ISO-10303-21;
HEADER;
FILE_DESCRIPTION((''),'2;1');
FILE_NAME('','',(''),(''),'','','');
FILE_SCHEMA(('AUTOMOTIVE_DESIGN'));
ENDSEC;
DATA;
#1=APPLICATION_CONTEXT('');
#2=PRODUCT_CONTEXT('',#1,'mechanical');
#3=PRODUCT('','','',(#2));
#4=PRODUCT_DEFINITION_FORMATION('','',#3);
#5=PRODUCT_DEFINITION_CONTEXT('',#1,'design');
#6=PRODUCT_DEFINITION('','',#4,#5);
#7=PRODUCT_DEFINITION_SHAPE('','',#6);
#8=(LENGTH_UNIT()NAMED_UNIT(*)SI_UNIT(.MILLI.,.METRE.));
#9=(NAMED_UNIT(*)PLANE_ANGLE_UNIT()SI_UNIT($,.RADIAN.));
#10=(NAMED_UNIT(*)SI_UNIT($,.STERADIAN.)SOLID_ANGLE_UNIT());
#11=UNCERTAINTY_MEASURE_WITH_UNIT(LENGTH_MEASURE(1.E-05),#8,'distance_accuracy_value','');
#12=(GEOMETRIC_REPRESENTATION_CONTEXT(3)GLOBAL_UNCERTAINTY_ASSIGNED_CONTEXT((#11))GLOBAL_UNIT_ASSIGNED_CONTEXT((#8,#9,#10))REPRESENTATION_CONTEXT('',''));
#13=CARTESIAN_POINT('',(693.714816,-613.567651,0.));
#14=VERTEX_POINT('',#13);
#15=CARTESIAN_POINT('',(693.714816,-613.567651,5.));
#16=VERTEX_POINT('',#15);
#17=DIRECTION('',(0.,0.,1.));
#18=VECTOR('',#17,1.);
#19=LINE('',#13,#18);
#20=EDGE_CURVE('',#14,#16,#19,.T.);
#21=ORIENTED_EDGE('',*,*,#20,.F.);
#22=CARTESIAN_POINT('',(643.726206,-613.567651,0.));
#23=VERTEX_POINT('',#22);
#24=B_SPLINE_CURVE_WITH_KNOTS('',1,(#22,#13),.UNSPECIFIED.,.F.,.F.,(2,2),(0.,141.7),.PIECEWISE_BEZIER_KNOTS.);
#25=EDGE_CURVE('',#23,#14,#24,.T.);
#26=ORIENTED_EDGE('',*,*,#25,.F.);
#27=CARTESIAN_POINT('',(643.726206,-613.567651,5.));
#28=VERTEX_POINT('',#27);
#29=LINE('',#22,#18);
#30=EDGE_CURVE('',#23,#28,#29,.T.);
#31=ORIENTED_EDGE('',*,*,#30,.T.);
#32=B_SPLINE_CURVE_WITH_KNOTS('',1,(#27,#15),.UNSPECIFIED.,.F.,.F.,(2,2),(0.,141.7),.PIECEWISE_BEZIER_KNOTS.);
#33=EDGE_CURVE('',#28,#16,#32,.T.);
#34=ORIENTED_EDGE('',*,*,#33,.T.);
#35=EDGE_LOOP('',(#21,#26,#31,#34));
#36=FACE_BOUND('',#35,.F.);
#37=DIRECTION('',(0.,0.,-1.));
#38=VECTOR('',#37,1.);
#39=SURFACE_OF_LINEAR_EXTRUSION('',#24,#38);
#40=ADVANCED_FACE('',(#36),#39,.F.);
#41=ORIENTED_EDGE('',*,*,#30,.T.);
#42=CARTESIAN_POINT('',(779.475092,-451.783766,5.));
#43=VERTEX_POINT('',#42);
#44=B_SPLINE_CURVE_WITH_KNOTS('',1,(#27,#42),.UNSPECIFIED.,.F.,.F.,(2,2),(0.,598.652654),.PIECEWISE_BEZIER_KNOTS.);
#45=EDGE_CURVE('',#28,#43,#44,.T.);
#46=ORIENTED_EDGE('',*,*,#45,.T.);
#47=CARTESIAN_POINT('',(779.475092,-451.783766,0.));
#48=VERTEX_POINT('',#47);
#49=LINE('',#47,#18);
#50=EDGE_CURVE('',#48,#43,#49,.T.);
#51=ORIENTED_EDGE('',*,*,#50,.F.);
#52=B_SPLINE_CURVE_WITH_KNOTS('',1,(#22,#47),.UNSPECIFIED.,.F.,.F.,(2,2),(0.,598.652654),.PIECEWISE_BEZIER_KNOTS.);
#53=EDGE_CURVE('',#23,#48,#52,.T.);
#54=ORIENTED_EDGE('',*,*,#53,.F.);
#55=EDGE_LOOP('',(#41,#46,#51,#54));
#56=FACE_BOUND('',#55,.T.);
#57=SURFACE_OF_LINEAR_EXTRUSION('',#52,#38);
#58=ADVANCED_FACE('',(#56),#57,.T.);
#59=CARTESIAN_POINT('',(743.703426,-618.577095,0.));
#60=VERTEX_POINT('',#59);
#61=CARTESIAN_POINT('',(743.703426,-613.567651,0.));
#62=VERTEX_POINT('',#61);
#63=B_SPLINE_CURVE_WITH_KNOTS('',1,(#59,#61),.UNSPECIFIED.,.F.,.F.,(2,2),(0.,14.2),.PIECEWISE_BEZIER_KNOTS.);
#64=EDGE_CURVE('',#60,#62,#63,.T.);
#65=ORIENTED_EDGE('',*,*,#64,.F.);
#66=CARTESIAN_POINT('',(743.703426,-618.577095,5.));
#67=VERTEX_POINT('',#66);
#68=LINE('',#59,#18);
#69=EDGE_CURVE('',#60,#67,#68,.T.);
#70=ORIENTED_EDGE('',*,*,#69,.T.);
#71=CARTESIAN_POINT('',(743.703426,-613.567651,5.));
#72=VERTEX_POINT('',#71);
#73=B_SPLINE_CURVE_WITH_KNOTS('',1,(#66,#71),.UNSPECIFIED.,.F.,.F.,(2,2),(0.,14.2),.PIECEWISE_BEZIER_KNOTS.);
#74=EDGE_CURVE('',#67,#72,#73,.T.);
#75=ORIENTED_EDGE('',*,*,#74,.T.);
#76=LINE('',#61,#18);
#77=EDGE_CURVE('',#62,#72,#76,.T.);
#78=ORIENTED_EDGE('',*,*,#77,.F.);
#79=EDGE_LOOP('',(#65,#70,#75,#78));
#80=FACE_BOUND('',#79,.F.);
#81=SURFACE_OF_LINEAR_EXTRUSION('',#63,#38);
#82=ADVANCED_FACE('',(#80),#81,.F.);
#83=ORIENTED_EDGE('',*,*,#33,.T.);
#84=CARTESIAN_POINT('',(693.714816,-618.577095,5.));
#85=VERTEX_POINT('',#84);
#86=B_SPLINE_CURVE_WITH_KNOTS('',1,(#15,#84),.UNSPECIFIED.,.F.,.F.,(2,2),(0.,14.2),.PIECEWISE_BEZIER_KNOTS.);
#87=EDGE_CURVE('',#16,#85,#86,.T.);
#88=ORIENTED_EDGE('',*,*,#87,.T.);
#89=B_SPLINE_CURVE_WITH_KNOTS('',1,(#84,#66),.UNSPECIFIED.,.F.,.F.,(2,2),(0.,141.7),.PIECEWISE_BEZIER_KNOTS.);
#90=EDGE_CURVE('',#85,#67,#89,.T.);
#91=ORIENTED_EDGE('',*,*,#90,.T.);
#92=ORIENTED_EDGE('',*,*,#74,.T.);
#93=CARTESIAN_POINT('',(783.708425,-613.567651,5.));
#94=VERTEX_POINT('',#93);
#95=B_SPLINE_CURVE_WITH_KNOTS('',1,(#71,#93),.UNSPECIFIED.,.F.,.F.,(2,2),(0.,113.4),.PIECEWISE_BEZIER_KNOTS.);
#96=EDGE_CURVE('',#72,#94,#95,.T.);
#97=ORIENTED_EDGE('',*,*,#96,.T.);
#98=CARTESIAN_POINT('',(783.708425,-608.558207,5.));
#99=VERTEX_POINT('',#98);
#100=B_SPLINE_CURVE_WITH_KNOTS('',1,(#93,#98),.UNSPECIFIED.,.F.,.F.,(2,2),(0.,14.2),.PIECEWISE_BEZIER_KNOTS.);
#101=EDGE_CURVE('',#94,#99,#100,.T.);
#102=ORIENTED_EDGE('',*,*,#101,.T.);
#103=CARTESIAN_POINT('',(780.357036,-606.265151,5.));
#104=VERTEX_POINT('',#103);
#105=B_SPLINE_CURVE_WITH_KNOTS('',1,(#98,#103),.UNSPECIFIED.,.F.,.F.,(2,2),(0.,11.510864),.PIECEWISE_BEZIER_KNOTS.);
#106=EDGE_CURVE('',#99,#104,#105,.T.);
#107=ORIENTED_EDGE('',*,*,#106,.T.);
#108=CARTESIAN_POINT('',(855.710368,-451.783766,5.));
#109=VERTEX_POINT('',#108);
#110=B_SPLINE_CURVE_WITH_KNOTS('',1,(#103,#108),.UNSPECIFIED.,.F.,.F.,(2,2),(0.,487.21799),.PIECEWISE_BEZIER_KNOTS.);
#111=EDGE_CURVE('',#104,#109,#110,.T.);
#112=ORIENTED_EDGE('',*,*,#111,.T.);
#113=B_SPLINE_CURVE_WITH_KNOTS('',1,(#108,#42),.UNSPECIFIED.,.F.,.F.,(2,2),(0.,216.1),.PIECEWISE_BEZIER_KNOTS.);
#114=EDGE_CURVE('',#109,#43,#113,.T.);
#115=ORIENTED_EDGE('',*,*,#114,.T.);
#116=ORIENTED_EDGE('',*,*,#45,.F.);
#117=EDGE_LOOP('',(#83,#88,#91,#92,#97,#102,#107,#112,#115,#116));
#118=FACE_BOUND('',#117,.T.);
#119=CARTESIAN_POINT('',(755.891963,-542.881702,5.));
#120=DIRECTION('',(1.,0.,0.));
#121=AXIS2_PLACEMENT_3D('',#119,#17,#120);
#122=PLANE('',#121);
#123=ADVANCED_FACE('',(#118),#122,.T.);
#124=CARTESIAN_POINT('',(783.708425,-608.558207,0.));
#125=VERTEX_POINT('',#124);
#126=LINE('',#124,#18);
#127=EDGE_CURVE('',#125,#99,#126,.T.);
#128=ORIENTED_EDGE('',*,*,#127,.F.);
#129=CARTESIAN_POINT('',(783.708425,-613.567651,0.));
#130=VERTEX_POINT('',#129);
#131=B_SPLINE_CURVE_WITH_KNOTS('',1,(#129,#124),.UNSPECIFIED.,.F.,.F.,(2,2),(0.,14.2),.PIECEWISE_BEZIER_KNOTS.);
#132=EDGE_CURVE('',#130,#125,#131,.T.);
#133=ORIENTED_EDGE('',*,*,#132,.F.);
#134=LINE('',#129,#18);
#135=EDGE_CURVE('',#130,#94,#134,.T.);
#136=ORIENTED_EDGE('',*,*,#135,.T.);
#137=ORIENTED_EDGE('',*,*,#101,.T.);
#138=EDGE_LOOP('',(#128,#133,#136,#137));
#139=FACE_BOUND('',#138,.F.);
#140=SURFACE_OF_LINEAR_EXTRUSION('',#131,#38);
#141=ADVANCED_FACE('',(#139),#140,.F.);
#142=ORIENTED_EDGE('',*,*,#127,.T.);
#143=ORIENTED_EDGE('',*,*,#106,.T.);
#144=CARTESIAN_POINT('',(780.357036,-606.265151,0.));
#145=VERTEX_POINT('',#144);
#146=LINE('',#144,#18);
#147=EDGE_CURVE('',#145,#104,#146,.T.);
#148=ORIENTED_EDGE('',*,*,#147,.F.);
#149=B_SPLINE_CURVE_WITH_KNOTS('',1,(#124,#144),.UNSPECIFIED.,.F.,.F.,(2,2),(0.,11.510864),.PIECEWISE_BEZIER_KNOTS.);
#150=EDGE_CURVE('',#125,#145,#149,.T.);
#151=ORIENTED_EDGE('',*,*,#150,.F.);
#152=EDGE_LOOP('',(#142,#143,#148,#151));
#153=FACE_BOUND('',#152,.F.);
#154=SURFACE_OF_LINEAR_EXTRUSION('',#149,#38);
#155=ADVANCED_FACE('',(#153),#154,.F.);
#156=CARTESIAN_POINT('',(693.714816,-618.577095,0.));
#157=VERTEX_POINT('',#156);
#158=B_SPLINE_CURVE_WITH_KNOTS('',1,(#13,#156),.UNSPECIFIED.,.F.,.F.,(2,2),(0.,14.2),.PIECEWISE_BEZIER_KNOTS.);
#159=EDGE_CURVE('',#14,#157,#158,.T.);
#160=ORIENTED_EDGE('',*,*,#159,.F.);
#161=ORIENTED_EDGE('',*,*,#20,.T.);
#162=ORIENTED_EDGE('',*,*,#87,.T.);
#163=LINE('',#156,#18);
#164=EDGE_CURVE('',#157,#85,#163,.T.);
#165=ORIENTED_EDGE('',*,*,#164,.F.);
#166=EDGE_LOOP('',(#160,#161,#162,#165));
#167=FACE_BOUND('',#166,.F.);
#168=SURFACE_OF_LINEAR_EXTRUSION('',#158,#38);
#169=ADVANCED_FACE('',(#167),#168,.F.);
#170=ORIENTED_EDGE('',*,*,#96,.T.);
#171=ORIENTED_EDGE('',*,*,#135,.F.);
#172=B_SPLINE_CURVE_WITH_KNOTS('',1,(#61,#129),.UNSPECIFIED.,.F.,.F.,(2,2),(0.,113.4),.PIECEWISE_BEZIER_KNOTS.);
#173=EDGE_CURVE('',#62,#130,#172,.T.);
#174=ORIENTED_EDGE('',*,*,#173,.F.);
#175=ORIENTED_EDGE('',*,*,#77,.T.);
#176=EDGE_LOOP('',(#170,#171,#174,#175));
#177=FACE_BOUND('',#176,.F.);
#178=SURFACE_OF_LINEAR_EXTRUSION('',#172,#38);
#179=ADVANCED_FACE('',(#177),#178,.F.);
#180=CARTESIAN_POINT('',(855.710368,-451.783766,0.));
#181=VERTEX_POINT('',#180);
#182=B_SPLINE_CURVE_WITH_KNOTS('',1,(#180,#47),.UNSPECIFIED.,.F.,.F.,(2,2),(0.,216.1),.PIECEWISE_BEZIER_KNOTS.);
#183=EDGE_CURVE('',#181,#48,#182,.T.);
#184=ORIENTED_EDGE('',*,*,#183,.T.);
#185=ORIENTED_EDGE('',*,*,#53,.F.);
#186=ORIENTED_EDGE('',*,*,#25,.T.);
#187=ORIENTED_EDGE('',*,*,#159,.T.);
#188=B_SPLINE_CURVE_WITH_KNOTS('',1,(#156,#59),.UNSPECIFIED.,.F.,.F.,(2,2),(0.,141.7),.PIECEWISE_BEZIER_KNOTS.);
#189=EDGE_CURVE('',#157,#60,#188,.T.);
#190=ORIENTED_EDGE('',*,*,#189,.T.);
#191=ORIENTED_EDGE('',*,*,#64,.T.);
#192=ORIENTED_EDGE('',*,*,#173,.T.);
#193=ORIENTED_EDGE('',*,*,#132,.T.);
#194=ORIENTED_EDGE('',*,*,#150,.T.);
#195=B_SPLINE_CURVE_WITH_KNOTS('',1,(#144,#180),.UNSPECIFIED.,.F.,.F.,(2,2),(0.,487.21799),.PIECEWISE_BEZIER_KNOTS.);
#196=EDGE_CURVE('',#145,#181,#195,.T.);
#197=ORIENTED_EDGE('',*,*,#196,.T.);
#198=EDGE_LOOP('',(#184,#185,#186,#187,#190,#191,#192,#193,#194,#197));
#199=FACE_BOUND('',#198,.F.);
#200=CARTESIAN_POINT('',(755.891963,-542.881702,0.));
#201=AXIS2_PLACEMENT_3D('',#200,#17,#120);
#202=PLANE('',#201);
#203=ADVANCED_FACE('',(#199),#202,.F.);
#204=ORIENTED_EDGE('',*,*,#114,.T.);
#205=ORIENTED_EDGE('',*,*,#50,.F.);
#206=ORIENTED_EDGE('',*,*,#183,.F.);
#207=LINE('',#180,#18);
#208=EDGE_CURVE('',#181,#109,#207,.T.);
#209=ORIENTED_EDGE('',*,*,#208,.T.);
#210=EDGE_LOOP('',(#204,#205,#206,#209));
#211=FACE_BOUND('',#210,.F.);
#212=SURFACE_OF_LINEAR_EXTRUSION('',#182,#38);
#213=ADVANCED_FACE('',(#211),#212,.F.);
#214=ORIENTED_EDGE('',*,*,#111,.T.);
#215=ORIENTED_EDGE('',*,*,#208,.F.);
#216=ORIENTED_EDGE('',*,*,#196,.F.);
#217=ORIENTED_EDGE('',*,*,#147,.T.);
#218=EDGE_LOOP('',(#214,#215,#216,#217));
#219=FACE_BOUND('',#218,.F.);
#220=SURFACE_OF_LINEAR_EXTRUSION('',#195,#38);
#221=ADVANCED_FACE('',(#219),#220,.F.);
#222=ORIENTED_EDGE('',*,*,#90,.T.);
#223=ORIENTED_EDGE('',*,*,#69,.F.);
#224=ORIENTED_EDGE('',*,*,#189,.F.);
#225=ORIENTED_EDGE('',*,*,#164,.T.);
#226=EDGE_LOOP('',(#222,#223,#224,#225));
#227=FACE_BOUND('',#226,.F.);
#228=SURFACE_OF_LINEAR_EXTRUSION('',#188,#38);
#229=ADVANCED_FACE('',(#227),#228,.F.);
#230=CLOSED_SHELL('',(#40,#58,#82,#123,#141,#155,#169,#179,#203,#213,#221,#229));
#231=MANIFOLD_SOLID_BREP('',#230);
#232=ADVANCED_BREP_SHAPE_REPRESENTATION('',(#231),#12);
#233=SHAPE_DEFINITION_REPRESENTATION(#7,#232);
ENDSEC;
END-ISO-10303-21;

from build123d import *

# Parameters (mm, degrees)
PAD003_DEPTH = 5


with BuildPart() as part:
    # Sketch003 → Pad003 (new body)
    with BuildSketch(Plane.XY):
        with BuildLine():
            add(Edge.make_bspline(
                [(643.726206, -613.567651), (693.714816, -613.567651)],
                knots=[0, 0, 141.7, 141.7], degree=1))
            add(Edge.make_bspline(
                [(693.714816, -613.567651), (693.714816, -618.577095)],
                knots=[0, 0, 14.2, 14.2], degree=1))
            add(Edge.make_bspline(
                [(693.714816, -618.577095), (743.703426, -618.577095)],
                knots=[0, 0, 141.7, 141.7], degree=1))
            add(Edge.make_bspline(
                [(743.703426, -618.577095), (743.703426, -613.567651)],
                knots=[0, 0, 14.2, 14.2], degree=1))
            add(Edge.make_bspline(
                [(743.703426, -613.567651), (783.708425, -613.567651)],
                knots=[0, 0, 113.4, 113.4], degree=1))
            add(Edge.make_bspline(
                [(783.708425, -613.567651), (783.708425, -608.558207)],
                knots=[0, 0, 14.2, 14.2], degree=1))
            add(Edge.make_bspline(
                [(783.708425, -608.558207), (780.357036, -606.265151)],
                knots=[0, 0, 11.510864, 11.510864], degree=1))
            add(Edge.make_bspline(
                [(780.357036, -606.265151), (855.710368, -451.783766)],
                knots=[0, 0, 487.21799, 487.21799], degree=1))
            add(Edge.make_bspline(
                [(855.710368, -451.783766), (779.475092, -451.783766)],
                knots=[0, 0, 216.1, 216.1], degree=1))
            add(Edge.make_bspline(
                [(643.726206, -613.567651), (779.475092, -451.783766)],
                knots=[0, 0, 598.652654, 598.652654], degree=1))
        make_face()
    extrude(amount=PAD003_DEPTH)


solid = part.part
